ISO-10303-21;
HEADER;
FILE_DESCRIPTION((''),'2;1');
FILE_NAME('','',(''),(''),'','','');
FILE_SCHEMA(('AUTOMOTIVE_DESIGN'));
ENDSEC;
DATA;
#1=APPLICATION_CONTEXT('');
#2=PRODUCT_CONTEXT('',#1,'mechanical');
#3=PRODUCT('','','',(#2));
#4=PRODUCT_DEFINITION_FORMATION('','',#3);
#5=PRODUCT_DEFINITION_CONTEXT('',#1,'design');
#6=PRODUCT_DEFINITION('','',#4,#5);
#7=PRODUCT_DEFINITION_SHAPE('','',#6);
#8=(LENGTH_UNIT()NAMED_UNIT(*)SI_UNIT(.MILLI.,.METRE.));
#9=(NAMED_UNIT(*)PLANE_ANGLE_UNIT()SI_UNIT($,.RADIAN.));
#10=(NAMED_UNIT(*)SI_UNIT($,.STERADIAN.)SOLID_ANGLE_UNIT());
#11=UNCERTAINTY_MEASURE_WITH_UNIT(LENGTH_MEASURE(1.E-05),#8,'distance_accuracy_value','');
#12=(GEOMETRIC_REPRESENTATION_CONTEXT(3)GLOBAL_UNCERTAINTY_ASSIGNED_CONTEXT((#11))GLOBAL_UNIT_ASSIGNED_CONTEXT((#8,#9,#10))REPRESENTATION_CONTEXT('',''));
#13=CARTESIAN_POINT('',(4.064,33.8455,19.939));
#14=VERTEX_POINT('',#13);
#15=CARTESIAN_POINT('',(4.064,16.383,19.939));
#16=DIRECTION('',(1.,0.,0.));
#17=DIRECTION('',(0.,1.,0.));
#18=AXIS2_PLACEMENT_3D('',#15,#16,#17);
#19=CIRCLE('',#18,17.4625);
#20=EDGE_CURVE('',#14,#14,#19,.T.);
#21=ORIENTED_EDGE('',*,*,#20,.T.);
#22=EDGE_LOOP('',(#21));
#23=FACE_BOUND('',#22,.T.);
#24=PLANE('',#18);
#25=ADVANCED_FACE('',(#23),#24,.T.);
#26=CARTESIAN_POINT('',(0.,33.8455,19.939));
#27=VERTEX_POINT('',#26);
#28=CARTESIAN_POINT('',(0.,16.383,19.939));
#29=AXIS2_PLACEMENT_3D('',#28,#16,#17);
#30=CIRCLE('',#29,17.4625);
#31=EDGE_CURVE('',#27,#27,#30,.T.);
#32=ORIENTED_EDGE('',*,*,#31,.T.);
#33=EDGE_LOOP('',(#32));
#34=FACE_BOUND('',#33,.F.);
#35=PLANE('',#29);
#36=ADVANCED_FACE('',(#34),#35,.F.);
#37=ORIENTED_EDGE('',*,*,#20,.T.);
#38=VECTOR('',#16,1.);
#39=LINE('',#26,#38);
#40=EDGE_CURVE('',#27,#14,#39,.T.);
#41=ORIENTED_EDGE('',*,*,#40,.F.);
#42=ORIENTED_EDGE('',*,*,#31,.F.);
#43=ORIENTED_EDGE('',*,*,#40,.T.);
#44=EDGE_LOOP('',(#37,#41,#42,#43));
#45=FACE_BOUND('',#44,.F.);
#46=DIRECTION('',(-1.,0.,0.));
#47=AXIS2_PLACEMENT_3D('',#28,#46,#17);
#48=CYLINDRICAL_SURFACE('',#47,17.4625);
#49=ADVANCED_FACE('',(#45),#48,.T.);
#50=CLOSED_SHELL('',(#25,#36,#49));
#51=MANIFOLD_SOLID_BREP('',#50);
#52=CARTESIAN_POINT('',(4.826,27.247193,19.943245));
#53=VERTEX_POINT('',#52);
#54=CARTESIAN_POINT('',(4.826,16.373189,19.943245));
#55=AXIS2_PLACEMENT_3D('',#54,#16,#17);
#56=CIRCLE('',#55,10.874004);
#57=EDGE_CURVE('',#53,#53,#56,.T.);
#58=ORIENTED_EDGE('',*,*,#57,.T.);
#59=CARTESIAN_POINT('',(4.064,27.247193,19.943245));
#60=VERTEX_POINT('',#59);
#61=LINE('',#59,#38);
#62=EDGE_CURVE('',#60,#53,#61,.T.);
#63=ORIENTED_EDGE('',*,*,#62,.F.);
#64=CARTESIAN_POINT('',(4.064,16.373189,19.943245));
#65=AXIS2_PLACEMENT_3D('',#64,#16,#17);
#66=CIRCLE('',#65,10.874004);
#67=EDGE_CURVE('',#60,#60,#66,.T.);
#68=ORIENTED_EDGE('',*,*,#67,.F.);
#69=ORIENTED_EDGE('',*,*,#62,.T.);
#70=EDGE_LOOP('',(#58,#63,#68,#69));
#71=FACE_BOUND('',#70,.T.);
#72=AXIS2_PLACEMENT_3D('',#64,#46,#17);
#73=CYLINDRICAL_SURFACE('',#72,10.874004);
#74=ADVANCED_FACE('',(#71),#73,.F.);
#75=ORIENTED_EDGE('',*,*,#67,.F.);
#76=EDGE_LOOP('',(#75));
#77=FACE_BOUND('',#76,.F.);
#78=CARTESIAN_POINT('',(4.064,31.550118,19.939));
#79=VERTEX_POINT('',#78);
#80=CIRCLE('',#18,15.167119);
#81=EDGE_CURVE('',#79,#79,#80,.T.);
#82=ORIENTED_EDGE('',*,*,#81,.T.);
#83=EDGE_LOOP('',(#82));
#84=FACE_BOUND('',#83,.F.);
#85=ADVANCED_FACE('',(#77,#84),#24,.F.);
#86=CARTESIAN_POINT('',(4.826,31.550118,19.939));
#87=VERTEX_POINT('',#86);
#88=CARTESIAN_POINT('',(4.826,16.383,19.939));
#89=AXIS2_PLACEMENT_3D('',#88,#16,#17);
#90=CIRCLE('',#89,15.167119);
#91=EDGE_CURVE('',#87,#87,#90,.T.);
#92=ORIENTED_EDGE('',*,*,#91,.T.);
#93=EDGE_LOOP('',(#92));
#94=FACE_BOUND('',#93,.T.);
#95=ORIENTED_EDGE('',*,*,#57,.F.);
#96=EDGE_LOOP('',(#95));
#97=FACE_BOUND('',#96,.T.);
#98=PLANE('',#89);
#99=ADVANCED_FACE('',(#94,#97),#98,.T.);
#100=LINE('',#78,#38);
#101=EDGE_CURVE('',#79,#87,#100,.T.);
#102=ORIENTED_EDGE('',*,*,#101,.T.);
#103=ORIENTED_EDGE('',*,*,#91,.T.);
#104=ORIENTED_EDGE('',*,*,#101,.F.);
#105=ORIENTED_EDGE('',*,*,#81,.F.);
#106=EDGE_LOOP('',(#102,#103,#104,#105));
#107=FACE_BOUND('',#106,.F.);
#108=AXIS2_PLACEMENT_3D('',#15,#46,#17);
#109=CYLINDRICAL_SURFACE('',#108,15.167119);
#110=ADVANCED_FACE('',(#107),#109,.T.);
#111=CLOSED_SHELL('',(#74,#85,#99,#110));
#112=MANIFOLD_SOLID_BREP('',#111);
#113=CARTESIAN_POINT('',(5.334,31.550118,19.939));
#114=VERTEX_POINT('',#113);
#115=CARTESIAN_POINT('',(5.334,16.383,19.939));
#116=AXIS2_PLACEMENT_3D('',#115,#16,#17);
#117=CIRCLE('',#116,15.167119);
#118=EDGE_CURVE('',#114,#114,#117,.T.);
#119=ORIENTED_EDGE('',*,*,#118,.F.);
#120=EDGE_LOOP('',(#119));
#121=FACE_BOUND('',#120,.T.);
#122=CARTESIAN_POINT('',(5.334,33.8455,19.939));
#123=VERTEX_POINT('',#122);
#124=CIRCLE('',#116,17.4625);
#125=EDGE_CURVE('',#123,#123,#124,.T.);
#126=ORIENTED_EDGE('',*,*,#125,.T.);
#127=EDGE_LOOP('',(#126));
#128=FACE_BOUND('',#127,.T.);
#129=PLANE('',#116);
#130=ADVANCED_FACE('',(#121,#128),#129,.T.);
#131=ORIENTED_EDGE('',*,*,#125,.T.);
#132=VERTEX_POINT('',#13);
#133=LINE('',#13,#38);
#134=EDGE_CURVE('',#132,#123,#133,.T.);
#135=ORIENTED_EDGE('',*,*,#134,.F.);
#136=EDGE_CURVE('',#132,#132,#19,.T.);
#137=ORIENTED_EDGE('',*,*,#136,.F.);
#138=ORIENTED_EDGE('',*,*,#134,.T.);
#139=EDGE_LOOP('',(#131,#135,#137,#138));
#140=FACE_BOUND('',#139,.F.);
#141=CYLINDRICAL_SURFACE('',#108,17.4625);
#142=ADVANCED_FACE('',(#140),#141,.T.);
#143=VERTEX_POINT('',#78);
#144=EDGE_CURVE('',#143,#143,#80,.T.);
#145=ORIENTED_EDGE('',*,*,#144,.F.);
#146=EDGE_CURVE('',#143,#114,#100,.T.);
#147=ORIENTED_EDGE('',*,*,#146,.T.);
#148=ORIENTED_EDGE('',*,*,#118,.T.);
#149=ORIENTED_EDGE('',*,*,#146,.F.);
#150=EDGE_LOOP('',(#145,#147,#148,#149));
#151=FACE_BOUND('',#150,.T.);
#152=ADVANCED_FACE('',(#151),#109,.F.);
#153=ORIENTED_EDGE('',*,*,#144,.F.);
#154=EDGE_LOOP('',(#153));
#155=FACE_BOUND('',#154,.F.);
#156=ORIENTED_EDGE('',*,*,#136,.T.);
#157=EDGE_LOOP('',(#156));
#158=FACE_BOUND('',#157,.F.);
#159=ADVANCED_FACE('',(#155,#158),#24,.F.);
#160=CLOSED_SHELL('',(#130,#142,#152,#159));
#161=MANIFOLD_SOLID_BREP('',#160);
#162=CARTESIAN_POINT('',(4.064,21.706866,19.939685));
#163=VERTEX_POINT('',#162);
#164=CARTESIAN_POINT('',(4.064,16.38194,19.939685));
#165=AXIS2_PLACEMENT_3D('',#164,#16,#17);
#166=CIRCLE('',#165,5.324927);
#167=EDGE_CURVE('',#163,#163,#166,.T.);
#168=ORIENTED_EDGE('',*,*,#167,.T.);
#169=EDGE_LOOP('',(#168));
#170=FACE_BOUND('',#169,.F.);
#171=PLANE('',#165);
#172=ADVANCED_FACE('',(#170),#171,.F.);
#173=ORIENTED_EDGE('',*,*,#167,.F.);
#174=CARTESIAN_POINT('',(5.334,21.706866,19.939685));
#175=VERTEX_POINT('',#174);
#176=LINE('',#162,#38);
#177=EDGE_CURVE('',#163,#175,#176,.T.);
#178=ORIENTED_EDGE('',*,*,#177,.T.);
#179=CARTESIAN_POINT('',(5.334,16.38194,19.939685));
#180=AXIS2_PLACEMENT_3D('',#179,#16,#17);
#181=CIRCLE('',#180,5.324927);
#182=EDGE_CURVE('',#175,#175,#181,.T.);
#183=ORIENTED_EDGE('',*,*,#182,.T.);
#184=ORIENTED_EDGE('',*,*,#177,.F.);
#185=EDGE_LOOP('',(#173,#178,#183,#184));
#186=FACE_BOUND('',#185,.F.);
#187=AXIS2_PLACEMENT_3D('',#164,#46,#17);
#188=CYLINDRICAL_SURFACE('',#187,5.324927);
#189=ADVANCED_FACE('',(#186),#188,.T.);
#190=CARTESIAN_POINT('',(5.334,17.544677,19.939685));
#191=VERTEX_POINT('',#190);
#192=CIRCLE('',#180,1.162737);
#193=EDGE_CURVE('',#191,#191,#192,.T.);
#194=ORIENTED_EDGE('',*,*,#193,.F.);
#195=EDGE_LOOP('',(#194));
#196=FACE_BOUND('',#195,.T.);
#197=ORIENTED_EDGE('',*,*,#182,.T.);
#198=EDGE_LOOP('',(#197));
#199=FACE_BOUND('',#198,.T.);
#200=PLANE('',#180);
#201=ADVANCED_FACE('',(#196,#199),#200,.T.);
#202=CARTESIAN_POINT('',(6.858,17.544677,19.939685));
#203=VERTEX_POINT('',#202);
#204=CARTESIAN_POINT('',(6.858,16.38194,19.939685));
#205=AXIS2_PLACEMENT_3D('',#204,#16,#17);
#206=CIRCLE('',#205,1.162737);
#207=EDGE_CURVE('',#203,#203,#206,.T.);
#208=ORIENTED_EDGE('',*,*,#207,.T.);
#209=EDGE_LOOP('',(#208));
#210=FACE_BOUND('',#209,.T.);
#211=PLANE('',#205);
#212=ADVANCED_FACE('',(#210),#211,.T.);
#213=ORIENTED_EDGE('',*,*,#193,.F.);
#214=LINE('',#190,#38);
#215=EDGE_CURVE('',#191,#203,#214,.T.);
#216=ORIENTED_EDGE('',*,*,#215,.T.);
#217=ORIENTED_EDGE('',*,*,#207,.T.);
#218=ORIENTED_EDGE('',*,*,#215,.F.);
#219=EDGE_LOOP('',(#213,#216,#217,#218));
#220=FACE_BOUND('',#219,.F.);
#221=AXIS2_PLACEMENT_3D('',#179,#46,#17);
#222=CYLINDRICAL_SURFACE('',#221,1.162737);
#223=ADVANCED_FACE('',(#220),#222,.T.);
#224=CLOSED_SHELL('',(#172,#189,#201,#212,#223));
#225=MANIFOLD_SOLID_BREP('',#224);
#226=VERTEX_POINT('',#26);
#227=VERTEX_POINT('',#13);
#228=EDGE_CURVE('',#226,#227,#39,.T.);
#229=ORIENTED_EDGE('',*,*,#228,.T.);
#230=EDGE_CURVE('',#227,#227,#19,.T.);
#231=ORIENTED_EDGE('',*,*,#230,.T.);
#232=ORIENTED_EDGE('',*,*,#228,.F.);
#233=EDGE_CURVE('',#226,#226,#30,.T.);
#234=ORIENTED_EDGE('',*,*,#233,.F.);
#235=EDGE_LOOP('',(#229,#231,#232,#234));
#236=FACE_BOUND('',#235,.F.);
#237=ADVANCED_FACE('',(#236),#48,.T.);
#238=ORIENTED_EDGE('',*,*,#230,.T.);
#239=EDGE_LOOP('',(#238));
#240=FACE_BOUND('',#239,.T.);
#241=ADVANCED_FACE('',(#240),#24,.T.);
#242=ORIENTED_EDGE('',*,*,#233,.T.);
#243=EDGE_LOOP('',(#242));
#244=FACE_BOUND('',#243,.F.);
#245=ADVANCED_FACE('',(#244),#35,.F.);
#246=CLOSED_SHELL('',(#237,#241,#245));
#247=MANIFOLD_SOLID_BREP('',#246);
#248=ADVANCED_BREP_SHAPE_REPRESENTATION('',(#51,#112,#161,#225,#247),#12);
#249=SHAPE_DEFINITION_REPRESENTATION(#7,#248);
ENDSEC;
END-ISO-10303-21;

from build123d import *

# Parameters (mm, degrees)
F0_R      = 17.4625
F2_DEPTH  = 4.064
F1_R      = 17.4625
F4_R      = 15.1671185888
F4_R_2    = 10.8740036782
F6_DEPTH  = 0.762
F7_R      = 5.3249265158
F8_DEPTH  = 1.27
F5_R      = 17.4625
F5_R_2    = 15.1671185888
F9_R      = 1.1627372516
F10_DEPTH = 1.524


with BuildPart() as f2:
    # F0 (on Right) → F2 (new body)
    with BuildSketch(Plane.YZ):
        with Locations((16.3829997182, 19.938999787)):
            Circle(F0_R)
    extrude(amount=F2_DEPTH)


with BuildPart() as f2b:
    # F1 (on face) → F2, piece 2 (new body)
    with BuildSketch(Plane.YZ):
        with Locations((16.3829997182, 19.938999787)):
            Circle(F1_R)
    extrude(amount=F2_DEPTH)


with BuildPart() as f6:
    # F4 (on face) → F6 (new body)
    with BuildSketch(Plane.YZ.offset(4.064)):
        with Locations((16.3829997182, 19.938999787)):
            Circle(F4_R)
        with Locations((16.3731891662, 19.9432447553)):
            Circle(F4_R_2, mode=Mode.SUBTRACT)
    extrude(amount=F6_DEPTH)


with BuildPart() as f8:
    # F7 (on face) → F8 (new body)
    with BuildSketch(Plane.YZ.offset(4.064)):
        with Locations((16.3819398731, 19.9396852404)):
            Circle(F7_R)
    extrude(amount=F8_DEPTH)

    # F9 (on face) → F10 (join)
    with BuildSketch(Plane.YZ.offset(5.334)):
        with Locations((16.3819398731, 19.9396852404)):
            Circle(F9_R)
    extrude(amount=F10_DEPTH)


with BuildPart() as f8b:
    # F5 (on face) → F8, piece 2 (new body)
    with BuildSketch(Plane.YZ.offset(4.064)):
        with Locations((16.3829997182, 19.938999787)):
            Circle(F5_R)
        with Locations((16.3829997182, 19.938999787)):
            Circle(F5_R_2, mode=Mode.SUBTRACT)
    extrude(amount=F8_DEPTH)


solid = Compound([f2.part, f2b.part, f6.part, f8.part, f8b.part])
